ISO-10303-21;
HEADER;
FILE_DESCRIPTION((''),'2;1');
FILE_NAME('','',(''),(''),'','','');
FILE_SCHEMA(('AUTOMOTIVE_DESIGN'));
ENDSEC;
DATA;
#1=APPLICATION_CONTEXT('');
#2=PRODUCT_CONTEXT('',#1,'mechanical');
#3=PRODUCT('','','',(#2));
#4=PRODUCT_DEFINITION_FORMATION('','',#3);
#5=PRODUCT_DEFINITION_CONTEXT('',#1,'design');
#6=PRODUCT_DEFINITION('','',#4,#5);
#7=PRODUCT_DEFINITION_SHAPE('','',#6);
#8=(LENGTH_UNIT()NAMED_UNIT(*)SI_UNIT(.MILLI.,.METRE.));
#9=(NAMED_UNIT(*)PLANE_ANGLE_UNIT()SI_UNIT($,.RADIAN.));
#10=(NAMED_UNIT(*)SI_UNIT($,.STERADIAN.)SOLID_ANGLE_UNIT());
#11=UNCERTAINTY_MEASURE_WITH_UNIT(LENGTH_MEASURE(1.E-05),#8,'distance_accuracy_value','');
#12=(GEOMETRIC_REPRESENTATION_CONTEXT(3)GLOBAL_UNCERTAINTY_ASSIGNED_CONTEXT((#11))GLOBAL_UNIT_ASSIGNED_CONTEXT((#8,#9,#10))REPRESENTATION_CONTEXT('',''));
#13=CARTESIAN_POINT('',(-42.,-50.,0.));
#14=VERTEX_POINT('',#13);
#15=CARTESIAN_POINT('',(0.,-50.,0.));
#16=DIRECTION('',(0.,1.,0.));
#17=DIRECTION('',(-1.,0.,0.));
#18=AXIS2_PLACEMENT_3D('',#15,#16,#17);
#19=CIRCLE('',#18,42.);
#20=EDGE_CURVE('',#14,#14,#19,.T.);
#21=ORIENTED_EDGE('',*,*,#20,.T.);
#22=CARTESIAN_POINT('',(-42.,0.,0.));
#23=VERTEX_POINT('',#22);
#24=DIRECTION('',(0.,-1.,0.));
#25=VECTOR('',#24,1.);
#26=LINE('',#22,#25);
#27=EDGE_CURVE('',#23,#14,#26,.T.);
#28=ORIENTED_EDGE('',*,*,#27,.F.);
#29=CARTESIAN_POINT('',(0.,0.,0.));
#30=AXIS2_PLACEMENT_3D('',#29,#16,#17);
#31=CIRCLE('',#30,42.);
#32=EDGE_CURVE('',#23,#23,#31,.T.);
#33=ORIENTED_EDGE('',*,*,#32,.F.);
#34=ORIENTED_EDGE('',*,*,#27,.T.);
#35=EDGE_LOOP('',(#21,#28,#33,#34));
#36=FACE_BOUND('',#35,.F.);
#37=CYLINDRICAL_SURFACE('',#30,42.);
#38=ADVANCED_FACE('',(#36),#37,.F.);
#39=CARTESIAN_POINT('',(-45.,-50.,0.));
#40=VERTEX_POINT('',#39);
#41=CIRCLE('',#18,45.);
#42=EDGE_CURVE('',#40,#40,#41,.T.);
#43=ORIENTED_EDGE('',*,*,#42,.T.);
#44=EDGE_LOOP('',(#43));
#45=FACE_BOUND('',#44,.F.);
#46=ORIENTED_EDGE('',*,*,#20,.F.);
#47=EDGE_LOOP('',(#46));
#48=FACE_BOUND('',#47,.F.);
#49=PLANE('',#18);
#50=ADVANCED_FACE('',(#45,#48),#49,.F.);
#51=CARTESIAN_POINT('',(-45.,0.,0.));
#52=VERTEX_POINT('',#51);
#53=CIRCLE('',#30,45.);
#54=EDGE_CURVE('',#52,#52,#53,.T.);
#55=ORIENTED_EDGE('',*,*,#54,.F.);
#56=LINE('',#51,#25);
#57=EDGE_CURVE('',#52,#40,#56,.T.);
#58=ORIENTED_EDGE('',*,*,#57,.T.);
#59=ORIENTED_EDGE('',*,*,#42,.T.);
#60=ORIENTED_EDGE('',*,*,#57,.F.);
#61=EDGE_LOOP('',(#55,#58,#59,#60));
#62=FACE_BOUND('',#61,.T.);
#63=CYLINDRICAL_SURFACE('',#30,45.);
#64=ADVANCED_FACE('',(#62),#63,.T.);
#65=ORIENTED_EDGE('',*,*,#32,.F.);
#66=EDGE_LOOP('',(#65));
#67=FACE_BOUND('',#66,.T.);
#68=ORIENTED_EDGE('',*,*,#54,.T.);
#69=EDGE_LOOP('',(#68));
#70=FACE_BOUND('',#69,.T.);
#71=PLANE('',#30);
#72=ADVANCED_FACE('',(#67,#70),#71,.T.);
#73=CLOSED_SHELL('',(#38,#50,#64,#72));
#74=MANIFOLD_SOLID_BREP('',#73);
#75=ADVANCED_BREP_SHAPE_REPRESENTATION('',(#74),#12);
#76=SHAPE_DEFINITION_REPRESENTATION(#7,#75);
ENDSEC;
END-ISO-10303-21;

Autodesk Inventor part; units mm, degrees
ref_plane "YZ Plane" through (0, 0, 0) normal (1, 0, 0) x (0, 1, 0)
ref_plane "XZ Plane" through (0, 0, 0) normal (0, 1, 0) x (-1, 0, 0)
ref_plane "XY Plane" through (0, 0, 0) normal (0, 0, 1) x (1, 0, 0)
sketch "Sketch1" plane through (0, 0, 0) normal (0, 1, 0) x (-1, 0, 0)
  circle A0 centre (0, 0) radius 45
  circle A1 centre (0, 0) radius 42
  dimension "d0" = 90
  dimension "d1" = 3
extrude "Extrusion1" add sketch "Sketch1" against normal blind 50
properties part number "PRS 1612 FDS tube 2_940"
